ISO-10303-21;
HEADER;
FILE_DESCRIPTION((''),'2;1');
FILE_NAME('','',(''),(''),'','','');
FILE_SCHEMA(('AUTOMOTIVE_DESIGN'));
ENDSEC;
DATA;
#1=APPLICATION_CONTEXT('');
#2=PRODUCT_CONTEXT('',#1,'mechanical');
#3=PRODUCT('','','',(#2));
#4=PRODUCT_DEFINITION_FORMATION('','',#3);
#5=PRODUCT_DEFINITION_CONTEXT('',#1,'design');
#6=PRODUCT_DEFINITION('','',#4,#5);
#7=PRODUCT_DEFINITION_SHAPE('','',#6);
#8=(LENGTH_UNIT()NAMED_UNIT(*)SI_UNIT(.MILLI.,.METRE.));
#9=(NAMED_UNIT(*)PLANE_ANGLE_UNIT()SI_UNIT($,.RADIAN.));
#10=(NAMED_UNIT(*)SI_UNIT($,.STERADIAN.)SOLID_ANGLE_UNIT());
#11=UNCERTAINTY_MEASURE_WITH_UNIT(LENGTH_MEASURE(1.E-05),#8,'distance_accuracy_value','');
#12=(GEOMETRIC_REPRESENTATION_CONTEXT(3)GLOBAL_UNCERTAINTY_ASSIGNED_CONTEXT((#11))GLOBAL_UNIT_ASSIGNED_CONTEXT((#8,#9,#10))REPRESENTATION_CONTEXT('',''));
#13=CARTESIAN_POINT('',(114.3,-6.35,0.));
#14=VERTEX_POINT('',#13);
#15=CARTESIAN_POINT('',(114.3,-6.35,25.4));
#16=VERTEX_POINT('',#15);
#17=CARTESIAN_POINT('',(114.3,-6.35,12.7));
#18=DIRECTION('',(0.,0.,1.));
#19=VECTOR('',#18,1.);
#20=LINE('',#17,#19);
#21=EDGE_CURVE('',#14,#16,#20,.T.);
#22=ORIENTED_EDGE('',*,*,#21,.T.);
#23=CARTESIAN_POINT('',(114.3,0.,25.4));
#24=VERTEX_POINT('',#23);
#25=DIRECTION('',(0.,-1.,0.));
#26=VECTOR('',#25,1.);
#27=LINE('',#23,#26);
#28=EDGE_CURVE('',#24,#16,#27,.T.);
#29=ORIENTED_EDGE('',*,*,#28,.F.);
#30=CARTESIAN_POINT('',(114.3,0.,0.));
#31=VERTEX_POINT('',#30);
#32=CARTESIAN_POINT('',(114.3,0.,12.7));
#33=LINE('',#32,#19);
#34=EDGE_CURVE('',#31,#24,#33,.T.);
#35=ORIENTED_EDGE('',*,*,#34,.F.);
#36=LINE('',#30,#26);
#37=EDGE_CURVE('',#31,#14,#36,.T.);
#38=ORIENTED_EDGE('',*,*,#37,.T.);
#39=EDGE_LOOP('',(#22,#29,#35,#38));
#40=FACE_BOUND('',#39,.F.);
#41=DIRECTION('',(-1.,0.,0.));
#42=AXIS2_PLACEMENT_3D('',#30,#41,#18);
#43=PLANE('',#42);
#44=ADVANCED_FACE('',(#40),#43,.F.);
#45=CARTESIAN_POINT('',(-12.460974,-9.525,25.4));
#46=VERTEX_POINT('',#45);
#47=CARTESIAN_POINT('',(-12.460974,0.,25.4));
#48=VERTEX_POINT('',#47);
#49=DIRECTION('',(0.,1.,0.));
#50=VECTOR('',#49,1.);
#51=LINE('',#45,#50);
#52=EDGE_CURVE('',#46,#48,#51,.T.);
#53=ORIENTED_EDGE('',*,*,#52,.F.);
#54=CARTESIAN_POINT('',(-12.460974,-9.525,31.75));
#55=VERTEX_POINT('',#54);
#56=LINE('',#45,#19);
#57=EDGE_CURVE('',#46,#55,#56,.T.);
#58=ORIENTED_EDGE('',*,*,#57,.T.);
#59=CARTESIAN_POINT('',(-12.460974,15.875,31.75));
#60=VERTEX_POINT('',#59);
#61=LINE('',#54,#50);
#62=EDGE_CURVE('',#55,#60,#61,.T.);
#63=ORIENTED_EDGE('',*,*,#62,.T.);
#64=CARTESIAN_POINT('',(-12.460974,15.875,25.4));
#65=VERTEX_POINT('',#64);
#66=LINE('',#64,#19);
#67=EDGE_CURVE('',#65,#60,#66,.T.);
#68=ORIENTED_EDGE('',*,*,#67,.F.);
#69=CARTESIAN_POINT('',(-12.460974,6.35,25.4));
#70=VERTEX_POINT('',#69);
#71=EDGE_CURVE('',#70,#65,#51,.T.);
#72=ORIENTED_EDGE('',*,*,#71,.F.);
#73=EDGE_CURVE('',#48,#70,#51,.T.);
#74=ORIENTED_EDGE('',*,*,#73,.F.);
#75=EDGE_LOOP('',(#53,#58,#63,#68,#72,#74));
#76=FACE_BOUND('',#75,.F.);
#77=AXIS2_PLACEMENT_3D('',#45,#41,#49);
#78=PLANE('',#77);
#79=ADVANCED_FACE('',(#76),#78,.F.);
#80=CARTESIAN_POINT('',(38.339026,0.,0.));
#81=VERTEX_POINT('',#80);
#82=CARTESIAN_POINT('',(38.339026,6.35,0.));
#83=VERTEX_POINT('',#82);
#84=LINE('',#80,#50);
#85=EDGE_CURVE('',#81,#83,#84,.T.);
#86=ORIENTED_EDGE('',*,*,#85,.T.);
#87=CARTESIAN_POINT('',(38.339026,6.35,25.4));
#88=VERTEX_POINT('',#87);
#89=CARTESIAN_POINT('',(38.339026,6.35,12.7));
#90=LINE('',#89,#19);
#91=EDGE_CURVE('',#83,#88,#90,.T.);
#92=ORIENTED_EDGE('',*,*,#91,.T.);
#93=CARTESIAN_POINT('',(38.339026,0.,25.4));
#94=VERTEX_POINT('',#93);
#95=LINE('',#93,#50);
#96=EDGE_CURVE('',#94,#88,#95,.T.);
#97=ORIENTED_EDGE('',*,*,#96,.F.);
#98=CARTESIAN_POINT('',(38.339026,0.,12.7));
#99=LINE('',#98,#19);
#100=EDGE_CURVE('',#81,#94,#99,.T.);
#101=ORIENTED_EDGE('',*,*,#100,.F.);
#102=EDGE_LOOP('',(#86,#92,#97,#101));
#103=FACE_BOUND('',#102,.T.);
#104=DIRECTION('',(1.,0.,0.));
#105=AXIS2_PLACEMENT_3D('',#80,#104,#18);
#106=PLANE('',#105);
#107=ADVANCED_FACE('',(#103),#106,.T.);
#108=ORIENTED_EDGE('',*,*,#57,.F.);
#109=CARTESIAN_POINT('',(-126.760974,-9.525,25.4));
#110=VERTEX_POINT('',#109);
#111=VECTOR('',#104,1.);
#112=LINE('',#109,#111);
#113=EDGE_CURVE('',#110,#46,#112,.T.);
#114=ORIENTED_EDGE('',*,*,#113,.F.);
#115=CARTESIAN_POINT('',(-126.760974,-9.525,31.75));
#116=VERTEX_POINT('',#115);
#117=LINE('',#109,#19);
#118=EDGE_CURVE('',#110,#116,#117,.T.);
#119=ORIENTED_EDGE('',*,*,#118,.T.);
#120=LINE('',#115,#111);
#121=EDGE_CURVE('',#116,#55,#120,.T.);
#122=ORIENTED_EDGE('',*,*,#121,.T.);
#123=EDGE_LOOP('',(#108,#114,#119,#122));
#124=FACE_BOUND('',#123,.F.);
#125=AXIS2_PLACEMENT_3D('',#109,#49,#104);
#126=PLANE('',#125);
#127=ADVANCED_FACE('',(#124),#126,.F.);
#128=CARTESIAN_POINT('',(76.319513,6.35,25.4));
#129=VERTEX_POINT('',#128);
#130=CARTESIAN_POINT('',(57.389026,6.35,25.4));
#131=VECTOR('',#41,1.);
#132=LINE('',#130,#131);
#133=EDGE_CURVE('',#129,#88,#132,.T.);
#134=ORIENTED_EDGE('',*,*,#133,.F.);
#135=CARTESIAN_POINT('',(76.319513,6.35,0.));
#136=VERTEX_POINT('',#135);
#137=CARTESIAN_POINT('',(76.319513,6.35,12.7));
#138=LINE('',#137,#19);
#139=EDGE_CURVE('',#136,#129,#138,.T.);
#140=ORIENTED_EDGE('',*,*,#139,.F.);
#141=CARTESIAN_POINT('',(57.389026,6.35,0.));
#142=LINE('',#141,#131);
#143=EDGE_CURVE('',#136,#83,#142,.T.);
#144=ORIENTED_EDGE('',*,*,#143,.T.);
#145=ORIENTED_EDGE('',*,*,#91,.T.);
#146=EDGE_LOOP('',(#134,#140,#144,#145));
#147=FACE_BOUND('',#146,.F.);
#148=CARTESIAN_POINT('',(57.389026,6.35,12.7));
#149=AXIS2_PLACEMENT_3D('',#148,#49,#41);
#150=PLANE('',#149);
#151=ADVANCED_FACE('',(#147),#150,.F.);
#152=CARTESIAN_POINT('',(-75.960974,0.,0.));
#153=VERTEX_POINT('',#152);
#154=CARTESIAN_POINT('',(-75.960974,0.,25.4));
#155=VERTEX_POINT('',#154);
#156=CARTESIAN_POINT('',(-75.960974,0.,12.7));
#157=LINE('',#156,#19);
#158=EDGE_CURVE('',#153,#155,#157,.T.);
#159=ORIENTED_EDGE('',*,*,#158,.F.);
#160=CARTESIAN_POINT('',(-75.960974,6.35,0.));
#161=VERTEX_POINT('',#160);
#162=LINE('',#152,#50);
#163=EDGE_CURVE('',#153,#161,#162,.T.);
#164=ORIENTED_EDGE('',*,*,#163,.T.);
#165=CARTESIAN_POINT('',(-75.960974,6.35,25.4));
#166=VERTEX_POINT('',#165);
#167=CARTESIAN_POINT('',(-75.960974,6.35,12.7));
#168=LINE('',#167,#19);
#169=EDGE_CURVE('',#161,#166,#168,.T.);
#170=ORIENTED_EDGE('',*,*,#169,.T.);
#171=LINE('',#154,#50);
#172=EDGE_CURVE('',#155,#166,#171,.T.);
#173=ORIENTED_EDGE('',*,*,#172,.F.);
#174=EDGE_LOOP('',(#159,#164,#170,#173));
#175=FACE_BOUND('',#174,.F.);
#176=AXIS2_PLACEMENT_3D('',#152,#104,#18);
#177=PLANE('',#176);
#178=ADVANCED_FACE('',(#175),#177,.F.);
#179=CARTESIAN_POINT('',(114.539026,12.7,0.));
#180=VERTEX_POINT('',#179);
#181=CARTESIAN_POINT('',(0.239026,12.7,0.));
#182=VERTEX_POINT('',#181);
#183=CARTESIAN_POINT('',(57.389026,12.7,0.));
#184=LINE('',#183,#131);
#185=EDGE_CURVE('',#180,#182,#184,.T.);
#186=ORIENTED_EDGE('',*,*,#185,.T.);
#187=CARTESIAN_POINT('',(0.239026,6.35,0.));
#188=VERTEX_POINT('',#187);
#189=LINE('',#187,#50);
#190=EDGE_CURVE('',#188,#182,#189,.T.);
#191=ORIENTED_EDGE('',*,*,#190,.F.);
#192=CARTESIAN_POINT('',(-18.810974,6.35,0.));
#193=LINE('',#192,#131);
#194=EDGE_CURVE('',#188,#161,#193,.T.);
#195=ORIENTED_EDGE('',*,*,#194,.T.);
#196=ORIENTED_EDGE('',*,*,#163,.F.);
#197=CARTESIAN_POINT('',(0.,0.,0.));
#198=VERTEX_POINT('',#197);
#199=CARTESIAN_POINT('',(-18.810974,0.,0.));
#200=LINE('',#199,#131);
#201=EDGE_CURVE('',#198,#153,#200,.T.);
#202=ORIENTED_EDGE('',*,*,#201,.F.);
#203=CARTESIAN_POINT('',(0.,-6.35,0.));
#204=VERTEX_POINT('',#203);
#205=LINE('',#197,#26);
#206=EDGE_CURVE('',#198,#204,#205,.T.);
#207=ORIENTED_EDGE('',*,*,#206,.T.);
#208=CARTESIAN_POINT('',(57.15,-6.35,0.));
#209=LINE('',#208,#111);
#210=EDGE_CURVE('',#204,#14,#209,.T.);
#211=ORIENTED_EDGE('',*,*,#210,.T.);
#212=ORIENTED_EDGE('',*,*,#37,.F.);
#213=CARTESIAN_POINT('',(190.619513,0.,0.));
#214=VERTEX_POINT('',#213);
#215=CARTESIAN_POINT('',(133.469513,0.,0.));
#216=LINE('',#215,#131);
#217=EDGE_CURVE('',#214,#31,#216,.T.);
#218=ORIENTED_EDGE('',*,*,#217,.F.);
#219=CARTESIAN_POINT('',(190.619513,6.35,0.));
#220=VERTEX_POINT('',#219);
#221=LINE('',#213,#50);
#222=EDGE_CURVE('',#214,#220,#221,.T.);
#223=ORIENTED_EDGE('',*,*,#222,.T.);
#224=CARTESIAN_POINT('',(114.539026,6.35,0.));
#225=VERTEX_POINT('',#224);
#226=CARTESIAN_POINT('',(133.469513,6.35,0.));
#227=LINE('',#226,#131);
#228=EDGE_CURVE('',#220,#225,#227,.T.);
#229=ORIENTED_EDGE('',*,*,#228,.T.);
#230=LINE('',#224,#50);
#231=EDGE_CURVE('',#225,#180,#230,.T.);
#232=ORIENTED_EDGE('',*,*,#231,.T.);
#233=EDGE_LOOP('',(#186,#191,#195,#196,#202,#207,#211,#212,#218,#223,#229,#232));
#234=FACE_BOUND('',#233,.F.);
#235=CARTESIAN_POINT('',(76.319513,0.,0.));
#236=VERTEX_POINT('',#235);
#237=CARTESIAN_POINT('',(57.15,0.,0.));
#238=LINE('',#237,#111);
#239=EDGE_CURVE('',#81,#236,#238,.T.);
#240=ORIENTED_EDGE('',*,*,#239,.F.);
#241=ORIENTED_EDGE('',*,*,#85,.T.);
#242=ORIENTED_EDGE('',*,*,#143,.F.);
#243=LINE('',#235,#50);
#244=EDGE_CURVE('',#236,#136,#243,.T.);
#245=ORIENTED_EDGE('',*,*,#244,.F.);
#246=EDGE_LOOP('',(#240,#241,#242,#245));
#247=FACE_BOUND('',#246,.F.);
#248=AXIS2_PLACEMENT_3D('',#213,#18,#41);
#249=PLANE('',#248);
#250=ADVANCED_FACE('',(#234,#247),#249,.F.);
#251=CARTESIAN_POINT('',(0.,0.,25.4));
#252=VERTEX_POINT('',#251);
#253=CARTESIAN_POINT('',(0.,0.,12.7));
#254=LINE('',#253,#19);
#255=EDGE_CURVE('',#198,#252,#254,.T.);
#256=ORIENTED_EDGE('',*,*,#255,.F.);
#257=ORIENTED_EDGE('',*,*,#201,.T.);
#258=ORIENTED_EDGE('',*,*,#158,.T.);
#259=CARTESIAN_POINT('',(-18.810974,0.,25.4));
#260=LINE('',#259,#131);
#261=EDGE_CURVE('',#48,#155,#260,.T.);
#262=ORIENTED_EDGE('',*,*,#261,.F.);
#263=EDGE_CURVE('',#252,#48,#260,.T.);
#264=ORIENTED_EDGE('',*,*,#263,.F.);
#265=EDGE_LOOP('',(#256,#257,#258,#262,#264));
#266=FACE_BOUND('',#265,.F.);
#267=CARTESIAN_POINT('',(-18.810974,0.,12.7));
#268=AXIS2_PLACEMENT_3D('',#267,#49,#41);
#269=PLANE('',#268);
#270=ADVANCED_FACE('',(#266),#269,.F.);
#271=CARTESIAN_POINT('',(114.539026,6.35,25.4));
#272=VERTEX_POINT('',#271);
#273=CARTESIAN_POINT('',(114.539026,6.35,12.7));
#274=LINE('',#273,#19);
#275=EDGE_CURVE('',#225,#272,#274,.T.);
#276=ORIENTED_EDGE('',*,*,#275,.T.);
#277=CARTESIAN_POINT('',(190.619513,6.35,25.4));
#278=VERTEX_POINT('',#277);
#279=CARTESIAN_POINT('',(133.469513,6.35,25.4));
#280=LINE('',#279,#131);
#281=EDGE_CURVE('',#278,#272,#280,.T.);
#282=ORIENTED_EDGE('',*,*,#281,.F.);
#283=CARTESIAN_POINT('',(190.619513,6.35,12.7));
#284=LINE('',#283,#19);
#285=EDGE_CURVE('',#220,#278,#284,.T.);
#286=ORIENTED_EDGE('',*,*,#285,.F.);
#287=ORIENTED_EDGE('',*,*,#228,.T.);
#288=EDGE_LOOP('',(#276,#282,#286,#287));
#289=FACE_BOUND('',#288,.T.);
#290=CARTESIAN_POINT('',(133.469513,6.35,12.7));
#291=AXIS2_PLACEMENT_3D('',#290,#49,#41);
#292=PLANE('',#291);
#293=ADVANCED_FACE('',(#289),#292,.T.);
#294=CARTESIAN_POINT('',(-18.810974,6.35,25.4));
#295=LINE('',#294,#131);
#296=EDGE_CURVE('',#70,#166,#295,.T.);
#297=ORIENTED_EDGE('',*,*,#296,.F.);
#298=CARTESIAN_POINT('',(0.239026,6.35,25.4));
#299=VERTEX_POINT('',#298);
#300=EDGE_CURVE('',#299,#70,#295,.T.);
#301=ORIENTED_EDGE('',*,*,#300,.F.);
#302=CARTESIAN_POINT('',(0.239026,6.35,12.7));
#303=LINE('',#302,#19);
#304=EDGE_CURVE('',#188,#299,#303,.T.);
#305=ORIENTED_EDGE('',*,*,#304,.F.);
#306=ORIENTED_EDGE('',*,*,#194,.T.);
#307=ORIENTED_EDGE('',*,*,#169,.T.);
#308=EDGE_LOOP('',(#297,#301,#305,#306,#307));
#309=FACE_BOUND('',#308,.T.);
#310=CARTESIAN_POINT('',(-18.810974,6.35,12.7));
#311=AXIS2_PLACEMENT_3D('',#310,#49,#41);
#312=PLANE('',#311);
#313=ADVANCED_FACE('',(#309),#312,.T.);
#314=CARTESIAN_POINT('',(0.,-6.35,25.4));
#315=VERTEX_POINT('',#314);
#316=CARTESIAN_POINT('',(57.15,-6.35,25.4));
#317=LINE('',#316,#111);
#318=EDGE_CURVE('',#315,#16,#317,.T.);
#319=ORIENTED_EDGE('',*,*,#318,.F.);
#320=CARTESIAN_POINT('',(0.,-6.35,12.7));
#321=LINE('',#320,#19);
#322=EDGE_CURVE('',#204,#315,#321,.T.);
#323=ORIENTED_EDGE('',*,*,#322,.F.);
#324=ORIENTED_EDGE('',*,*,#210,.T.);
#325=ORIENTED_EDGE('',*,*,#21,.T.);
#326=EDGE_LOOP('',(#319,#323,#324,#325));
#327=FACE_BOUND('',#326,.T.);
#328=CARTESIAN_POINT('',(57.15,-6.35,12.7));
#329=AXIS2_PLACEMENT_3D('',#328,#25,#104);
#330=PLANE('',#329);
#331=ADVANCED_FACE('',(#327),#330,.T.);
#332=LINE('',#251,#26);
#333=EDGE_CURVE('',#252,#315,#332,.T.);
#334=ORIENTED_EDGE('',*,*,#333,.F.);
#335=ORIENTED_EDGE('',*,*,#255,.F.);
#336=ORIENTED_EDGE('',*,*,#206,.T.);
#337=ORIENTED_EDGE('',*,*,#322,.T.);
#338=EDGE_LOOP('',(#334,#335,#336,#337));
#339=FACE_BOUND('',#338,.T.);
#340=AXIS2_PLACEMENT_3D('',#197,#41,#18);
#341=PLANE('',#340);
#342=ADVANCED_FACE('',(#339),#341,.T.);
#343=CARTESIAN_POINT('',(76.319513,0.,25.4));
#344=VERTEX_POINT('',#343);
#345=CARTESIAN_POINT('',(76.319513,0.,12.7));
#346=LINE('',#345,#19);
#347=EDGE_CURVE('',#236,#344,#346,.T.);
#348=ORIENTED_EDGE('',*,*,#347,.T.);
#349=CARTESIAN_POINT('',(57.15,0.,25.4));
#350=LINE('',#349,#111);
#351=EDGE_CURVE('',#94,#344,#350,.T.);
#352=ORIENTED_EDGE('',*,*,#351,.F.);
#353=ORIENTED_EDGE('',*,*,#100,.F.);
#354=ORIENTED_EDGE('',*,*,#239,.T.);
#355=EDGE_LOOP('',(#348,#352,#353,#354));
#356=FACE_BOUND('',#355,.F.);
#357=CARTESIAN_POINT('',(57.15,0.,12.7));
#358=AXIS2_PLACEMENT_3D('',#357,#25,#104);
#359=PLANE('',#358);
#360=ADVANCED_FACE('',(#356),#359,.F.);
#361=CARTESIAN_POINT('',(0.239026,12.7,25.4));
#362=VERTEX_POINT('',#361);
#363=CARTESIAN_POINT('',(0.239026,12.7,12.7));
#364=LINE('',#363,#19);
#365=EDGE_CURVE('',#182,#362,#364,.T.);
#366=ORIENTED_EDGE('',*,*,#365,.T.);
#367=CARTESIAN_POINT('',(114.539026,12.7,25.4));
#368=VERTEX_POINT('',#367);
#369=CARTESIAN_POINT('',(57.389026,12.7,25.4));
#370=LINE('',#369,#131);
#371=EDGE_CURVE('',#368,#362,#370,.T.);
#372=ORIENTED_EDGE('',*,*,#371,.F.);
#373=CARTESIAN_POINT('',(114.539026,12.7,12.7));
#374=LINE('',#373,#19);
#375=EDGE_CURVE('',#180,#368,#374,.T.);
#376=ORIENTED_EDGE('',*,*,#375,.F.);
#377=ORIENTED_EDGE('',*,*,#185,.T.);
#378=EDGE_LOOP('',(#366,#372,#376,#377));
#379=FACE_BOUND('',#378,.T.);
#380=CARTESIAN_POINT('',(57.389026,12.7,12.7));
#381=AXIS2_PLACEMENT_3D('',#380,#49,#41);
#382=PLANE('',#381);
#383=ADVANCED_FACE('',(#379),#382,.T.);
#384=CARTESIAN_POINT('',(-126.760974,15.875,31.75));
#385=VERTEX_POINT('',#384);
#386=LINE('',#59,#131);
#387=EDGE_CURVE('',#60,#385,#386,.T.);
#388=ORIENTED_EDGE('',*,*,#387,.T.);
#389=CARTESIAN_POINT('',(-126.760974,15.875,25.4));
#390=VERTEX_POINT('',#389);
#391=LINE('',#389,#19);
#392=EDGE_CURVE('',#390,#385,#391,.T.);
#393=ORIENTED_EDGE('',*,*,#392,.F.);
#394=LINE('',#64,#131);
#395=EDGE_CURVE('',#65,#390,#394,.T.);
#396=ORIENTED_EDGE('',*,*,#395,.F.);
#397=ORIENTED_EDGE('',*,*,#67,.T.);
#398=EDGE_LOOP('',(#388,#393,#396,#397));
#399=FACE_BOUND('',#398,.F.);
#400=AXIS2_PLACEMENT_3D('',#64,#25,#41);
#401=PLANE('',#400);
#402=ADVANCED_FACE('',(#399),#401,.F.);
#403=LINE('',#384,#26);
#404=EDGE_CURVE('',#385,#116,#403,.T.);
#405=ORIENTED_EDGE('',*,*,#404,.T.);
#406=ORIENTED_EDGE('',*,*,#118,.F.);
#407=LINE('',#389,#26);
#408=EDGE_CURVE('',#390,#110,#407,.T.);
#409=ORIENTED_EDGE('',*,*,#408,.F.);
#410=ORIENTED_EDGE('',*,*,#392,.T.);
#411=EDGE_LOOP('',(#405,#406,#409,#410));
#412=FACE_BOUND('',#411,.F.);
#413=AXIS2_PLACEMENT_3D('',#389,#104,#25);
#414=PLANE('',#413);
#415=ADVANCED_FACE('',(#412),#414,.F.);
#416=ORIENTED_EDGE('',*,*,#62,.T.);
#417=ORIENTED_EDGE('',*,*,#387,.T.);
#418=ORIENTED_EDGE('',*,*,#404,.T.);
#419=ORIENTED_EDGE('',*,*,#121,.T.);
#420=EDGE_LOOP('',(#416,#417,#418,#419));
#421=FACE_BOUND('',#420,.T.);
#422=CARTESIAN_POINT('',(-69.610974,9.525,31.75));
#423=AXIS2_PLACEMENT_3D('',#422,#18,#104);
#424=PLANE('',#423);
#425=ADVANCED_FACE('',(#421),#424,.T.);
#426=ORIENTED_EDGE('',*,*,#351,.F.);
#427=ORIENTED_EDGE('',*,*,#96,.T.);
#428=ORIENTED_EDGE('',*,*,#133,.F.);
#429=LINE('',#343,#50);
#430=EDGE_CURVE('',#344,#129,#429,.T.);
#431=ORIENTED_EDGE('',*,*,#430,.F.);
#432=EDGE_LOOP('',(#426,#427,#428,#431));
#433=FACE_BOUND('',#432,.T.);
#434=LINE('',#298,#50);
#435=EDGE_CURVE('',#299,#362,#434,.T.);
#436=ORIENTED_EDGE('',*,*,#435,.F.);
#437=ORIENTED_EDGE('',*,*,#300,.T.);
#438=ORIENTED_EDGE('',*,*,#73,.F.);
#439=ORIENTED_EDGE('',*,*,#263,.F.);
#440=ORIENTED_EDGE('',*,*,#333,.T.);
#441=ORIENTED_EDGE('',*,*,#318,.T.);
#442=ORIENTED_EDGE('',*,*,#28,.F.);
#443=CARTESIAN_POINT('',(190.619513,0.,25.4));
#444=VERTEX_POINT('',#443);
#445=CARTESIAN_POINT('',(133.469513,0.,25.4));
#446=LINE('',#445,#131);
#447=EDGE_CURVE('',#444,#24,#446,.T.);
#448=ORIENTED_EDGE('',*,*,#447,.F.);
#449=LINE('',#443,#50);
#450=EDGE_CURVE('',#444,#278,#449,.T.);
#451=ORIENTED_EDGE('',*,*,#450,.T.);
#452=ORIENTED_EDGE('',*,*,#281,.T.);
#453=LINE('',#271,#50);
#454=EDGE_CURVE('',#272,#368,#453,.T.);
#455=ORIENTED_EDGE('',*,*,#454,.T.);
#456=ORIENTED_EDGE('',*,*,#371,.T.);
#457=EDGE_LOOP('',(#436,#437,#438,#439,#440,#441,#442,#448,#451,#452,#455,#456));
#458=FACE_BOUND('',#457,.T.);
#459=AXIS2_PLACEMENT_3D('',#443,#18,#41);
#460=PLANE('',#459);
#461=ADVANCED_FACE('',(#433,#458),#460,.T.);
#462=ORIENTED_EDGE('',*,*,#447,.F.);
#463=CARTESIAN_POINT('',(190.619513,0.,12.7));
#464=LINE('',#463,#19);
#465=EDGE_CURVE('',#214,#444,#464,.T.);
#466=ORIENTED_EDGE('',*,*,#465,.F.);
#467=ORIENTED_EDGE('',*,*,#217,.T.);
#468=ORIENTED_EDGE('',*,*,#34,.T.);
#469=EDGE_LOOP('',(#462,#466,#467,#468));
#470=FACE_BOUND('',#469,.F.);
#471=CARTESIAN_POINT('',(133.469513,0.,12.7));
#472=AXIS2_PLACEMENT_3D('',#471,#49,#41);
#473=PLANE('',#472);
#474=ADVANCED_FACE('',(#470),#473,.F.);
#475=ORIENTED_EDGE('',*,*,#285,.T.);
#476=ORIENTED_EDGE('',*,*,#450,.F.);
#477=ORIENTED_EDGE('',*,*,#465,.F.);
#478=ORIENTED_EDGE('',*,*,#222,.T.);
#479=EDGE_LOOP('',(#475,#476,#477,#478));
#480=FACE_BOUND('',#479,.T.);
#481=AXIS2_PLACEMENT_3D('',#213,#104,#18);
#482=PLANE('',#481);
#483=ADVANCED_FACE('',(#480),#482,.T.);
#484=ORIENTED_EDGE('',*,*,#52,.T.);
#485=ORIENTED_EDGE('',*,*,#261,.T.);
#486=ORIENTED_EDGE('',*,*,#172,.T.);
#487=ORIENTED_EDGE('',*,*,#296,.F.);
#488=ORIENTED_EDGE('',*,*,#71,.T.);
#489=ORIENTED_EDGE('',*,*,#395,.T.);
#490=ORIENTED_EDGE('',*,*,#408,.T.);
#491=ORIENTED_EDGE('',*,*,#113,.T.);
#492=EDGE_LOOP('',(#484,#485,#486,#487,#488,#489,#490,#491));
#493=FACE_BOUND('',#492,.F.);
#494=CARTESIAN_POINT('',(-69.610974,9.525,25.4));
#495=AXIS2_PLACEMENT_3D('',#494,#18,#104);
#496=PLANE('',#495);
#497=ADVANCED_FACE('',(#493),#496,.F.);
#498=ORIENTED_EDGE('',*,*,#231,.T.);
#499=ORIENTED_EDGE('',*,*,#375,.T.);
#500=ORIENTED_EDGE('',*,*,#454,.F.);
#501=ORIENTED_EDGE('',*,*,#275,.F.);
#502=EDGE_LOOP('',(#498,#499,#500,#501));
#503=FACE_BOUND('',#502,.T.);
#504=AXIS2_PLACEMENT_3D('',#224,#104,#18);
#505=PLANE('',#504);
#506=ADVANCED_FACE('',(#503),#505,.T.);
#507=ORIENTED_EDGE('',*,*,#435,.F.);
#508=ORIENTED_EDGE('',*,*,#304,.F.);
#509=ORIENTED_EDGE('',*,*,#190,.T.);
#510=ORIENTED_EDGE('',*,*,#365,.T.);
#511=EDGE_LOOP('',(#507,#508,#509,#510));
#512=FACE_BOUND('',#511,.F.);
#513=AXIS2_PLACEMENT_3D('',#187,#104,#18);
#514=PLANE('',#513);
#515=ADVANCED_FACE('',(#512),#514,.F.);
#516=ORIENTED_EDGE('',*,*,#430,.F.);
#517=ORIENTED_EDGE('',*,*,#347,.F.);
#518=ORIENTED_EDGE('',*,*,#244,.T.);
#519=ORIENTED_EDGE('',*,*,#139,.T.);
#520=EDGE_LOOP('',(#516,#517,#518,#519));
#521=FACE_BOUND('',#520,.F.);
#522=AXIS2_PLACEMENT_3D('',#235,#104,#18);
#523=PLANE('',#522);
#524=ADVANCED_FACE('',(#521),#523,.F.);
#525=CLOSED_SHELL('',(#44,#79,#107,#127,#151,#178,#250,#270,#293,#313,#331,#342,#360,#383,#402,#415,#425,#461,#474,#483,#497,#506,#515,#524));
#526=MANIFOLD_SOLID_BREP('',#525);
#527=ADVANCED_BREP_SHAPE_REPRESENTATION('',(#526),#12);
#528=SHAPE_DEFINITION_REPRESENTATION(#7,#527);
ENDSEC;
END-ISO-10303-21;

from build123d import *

# Parameters (mm, degrees)
F0_W     = 114.3
F0_H     = 25.4
F1_DEPTH = 6.35
F2_W     = 114.3
F2_H     = 25.4
F3_DEPTH = 6.35
F4_W     = 114.3
F4_H     = 25.4
F5_DEPTH = 6.35
F6_W     = 114.3
F6_H     = 25.4
F7_DEPTH = 6.35
F9_DEPTH = 6.35


with BuildPart() as f1:
    # F0 (on Front) → F1 (new body)
    with BuildSketch(Plane.XZ):
        with Locations((57.15, 12.7)):
            Rectangle(F0_W, F0_H)
    extrude(amount=F1_DEPTH)

    # F2 (on face) → F3 (join)
    with BuildSketch(Plane(origin=(0, 0, 0), x_dir=(-1, 0, 0), z_dir=(0, 1, 0))):
        with Locations((18.810974, 12.7)):
            Rectangle(F2_W, F2_H)
    extrude(amount=F3_DEPTH)

    # F4 (on face) → F5 (join)
    with BuildSketch(Plane(origin=(0, 6.35, 0), x_dir=(-1, 0, 0), z_dir=(0, 1, 0))):
        with Locations((-57.389026, 12.7)):
            Rectangle(F4_W, F4_H)
    extrude(amount=F5_DEPTH)

    # F6 (on face) → F7 (join)
    with BuildSketch(Plane(origin=(0, 0, 0), x_dir=(-1, 0, 0), z_dir=(0, 1, 0))):
        with Locations((-133.469513, 12.7)):
            Rectangle(F6_W, F6_H)
    extrude(amount=F7_DEPTH)

    # F8 (on face) → F9 (join)
    with BuildSketch(Plane.XY.offset(25.4)):
        Polygon((-126.760974, 3.175), (-85.020583, 3.175), (-12.460974, 3.175), (-12.460974, 15.875), (-126.760974, 15.875), align=None)
        Polygon((-12.460974, 3.175), (-85.020583, 3.175), (-126.760974, 3.175), (-126.760974, -9.525), (-12.460974, -9.525), align=None)
    extrude(amount=F9_DEPTH)


solid = f1.part
